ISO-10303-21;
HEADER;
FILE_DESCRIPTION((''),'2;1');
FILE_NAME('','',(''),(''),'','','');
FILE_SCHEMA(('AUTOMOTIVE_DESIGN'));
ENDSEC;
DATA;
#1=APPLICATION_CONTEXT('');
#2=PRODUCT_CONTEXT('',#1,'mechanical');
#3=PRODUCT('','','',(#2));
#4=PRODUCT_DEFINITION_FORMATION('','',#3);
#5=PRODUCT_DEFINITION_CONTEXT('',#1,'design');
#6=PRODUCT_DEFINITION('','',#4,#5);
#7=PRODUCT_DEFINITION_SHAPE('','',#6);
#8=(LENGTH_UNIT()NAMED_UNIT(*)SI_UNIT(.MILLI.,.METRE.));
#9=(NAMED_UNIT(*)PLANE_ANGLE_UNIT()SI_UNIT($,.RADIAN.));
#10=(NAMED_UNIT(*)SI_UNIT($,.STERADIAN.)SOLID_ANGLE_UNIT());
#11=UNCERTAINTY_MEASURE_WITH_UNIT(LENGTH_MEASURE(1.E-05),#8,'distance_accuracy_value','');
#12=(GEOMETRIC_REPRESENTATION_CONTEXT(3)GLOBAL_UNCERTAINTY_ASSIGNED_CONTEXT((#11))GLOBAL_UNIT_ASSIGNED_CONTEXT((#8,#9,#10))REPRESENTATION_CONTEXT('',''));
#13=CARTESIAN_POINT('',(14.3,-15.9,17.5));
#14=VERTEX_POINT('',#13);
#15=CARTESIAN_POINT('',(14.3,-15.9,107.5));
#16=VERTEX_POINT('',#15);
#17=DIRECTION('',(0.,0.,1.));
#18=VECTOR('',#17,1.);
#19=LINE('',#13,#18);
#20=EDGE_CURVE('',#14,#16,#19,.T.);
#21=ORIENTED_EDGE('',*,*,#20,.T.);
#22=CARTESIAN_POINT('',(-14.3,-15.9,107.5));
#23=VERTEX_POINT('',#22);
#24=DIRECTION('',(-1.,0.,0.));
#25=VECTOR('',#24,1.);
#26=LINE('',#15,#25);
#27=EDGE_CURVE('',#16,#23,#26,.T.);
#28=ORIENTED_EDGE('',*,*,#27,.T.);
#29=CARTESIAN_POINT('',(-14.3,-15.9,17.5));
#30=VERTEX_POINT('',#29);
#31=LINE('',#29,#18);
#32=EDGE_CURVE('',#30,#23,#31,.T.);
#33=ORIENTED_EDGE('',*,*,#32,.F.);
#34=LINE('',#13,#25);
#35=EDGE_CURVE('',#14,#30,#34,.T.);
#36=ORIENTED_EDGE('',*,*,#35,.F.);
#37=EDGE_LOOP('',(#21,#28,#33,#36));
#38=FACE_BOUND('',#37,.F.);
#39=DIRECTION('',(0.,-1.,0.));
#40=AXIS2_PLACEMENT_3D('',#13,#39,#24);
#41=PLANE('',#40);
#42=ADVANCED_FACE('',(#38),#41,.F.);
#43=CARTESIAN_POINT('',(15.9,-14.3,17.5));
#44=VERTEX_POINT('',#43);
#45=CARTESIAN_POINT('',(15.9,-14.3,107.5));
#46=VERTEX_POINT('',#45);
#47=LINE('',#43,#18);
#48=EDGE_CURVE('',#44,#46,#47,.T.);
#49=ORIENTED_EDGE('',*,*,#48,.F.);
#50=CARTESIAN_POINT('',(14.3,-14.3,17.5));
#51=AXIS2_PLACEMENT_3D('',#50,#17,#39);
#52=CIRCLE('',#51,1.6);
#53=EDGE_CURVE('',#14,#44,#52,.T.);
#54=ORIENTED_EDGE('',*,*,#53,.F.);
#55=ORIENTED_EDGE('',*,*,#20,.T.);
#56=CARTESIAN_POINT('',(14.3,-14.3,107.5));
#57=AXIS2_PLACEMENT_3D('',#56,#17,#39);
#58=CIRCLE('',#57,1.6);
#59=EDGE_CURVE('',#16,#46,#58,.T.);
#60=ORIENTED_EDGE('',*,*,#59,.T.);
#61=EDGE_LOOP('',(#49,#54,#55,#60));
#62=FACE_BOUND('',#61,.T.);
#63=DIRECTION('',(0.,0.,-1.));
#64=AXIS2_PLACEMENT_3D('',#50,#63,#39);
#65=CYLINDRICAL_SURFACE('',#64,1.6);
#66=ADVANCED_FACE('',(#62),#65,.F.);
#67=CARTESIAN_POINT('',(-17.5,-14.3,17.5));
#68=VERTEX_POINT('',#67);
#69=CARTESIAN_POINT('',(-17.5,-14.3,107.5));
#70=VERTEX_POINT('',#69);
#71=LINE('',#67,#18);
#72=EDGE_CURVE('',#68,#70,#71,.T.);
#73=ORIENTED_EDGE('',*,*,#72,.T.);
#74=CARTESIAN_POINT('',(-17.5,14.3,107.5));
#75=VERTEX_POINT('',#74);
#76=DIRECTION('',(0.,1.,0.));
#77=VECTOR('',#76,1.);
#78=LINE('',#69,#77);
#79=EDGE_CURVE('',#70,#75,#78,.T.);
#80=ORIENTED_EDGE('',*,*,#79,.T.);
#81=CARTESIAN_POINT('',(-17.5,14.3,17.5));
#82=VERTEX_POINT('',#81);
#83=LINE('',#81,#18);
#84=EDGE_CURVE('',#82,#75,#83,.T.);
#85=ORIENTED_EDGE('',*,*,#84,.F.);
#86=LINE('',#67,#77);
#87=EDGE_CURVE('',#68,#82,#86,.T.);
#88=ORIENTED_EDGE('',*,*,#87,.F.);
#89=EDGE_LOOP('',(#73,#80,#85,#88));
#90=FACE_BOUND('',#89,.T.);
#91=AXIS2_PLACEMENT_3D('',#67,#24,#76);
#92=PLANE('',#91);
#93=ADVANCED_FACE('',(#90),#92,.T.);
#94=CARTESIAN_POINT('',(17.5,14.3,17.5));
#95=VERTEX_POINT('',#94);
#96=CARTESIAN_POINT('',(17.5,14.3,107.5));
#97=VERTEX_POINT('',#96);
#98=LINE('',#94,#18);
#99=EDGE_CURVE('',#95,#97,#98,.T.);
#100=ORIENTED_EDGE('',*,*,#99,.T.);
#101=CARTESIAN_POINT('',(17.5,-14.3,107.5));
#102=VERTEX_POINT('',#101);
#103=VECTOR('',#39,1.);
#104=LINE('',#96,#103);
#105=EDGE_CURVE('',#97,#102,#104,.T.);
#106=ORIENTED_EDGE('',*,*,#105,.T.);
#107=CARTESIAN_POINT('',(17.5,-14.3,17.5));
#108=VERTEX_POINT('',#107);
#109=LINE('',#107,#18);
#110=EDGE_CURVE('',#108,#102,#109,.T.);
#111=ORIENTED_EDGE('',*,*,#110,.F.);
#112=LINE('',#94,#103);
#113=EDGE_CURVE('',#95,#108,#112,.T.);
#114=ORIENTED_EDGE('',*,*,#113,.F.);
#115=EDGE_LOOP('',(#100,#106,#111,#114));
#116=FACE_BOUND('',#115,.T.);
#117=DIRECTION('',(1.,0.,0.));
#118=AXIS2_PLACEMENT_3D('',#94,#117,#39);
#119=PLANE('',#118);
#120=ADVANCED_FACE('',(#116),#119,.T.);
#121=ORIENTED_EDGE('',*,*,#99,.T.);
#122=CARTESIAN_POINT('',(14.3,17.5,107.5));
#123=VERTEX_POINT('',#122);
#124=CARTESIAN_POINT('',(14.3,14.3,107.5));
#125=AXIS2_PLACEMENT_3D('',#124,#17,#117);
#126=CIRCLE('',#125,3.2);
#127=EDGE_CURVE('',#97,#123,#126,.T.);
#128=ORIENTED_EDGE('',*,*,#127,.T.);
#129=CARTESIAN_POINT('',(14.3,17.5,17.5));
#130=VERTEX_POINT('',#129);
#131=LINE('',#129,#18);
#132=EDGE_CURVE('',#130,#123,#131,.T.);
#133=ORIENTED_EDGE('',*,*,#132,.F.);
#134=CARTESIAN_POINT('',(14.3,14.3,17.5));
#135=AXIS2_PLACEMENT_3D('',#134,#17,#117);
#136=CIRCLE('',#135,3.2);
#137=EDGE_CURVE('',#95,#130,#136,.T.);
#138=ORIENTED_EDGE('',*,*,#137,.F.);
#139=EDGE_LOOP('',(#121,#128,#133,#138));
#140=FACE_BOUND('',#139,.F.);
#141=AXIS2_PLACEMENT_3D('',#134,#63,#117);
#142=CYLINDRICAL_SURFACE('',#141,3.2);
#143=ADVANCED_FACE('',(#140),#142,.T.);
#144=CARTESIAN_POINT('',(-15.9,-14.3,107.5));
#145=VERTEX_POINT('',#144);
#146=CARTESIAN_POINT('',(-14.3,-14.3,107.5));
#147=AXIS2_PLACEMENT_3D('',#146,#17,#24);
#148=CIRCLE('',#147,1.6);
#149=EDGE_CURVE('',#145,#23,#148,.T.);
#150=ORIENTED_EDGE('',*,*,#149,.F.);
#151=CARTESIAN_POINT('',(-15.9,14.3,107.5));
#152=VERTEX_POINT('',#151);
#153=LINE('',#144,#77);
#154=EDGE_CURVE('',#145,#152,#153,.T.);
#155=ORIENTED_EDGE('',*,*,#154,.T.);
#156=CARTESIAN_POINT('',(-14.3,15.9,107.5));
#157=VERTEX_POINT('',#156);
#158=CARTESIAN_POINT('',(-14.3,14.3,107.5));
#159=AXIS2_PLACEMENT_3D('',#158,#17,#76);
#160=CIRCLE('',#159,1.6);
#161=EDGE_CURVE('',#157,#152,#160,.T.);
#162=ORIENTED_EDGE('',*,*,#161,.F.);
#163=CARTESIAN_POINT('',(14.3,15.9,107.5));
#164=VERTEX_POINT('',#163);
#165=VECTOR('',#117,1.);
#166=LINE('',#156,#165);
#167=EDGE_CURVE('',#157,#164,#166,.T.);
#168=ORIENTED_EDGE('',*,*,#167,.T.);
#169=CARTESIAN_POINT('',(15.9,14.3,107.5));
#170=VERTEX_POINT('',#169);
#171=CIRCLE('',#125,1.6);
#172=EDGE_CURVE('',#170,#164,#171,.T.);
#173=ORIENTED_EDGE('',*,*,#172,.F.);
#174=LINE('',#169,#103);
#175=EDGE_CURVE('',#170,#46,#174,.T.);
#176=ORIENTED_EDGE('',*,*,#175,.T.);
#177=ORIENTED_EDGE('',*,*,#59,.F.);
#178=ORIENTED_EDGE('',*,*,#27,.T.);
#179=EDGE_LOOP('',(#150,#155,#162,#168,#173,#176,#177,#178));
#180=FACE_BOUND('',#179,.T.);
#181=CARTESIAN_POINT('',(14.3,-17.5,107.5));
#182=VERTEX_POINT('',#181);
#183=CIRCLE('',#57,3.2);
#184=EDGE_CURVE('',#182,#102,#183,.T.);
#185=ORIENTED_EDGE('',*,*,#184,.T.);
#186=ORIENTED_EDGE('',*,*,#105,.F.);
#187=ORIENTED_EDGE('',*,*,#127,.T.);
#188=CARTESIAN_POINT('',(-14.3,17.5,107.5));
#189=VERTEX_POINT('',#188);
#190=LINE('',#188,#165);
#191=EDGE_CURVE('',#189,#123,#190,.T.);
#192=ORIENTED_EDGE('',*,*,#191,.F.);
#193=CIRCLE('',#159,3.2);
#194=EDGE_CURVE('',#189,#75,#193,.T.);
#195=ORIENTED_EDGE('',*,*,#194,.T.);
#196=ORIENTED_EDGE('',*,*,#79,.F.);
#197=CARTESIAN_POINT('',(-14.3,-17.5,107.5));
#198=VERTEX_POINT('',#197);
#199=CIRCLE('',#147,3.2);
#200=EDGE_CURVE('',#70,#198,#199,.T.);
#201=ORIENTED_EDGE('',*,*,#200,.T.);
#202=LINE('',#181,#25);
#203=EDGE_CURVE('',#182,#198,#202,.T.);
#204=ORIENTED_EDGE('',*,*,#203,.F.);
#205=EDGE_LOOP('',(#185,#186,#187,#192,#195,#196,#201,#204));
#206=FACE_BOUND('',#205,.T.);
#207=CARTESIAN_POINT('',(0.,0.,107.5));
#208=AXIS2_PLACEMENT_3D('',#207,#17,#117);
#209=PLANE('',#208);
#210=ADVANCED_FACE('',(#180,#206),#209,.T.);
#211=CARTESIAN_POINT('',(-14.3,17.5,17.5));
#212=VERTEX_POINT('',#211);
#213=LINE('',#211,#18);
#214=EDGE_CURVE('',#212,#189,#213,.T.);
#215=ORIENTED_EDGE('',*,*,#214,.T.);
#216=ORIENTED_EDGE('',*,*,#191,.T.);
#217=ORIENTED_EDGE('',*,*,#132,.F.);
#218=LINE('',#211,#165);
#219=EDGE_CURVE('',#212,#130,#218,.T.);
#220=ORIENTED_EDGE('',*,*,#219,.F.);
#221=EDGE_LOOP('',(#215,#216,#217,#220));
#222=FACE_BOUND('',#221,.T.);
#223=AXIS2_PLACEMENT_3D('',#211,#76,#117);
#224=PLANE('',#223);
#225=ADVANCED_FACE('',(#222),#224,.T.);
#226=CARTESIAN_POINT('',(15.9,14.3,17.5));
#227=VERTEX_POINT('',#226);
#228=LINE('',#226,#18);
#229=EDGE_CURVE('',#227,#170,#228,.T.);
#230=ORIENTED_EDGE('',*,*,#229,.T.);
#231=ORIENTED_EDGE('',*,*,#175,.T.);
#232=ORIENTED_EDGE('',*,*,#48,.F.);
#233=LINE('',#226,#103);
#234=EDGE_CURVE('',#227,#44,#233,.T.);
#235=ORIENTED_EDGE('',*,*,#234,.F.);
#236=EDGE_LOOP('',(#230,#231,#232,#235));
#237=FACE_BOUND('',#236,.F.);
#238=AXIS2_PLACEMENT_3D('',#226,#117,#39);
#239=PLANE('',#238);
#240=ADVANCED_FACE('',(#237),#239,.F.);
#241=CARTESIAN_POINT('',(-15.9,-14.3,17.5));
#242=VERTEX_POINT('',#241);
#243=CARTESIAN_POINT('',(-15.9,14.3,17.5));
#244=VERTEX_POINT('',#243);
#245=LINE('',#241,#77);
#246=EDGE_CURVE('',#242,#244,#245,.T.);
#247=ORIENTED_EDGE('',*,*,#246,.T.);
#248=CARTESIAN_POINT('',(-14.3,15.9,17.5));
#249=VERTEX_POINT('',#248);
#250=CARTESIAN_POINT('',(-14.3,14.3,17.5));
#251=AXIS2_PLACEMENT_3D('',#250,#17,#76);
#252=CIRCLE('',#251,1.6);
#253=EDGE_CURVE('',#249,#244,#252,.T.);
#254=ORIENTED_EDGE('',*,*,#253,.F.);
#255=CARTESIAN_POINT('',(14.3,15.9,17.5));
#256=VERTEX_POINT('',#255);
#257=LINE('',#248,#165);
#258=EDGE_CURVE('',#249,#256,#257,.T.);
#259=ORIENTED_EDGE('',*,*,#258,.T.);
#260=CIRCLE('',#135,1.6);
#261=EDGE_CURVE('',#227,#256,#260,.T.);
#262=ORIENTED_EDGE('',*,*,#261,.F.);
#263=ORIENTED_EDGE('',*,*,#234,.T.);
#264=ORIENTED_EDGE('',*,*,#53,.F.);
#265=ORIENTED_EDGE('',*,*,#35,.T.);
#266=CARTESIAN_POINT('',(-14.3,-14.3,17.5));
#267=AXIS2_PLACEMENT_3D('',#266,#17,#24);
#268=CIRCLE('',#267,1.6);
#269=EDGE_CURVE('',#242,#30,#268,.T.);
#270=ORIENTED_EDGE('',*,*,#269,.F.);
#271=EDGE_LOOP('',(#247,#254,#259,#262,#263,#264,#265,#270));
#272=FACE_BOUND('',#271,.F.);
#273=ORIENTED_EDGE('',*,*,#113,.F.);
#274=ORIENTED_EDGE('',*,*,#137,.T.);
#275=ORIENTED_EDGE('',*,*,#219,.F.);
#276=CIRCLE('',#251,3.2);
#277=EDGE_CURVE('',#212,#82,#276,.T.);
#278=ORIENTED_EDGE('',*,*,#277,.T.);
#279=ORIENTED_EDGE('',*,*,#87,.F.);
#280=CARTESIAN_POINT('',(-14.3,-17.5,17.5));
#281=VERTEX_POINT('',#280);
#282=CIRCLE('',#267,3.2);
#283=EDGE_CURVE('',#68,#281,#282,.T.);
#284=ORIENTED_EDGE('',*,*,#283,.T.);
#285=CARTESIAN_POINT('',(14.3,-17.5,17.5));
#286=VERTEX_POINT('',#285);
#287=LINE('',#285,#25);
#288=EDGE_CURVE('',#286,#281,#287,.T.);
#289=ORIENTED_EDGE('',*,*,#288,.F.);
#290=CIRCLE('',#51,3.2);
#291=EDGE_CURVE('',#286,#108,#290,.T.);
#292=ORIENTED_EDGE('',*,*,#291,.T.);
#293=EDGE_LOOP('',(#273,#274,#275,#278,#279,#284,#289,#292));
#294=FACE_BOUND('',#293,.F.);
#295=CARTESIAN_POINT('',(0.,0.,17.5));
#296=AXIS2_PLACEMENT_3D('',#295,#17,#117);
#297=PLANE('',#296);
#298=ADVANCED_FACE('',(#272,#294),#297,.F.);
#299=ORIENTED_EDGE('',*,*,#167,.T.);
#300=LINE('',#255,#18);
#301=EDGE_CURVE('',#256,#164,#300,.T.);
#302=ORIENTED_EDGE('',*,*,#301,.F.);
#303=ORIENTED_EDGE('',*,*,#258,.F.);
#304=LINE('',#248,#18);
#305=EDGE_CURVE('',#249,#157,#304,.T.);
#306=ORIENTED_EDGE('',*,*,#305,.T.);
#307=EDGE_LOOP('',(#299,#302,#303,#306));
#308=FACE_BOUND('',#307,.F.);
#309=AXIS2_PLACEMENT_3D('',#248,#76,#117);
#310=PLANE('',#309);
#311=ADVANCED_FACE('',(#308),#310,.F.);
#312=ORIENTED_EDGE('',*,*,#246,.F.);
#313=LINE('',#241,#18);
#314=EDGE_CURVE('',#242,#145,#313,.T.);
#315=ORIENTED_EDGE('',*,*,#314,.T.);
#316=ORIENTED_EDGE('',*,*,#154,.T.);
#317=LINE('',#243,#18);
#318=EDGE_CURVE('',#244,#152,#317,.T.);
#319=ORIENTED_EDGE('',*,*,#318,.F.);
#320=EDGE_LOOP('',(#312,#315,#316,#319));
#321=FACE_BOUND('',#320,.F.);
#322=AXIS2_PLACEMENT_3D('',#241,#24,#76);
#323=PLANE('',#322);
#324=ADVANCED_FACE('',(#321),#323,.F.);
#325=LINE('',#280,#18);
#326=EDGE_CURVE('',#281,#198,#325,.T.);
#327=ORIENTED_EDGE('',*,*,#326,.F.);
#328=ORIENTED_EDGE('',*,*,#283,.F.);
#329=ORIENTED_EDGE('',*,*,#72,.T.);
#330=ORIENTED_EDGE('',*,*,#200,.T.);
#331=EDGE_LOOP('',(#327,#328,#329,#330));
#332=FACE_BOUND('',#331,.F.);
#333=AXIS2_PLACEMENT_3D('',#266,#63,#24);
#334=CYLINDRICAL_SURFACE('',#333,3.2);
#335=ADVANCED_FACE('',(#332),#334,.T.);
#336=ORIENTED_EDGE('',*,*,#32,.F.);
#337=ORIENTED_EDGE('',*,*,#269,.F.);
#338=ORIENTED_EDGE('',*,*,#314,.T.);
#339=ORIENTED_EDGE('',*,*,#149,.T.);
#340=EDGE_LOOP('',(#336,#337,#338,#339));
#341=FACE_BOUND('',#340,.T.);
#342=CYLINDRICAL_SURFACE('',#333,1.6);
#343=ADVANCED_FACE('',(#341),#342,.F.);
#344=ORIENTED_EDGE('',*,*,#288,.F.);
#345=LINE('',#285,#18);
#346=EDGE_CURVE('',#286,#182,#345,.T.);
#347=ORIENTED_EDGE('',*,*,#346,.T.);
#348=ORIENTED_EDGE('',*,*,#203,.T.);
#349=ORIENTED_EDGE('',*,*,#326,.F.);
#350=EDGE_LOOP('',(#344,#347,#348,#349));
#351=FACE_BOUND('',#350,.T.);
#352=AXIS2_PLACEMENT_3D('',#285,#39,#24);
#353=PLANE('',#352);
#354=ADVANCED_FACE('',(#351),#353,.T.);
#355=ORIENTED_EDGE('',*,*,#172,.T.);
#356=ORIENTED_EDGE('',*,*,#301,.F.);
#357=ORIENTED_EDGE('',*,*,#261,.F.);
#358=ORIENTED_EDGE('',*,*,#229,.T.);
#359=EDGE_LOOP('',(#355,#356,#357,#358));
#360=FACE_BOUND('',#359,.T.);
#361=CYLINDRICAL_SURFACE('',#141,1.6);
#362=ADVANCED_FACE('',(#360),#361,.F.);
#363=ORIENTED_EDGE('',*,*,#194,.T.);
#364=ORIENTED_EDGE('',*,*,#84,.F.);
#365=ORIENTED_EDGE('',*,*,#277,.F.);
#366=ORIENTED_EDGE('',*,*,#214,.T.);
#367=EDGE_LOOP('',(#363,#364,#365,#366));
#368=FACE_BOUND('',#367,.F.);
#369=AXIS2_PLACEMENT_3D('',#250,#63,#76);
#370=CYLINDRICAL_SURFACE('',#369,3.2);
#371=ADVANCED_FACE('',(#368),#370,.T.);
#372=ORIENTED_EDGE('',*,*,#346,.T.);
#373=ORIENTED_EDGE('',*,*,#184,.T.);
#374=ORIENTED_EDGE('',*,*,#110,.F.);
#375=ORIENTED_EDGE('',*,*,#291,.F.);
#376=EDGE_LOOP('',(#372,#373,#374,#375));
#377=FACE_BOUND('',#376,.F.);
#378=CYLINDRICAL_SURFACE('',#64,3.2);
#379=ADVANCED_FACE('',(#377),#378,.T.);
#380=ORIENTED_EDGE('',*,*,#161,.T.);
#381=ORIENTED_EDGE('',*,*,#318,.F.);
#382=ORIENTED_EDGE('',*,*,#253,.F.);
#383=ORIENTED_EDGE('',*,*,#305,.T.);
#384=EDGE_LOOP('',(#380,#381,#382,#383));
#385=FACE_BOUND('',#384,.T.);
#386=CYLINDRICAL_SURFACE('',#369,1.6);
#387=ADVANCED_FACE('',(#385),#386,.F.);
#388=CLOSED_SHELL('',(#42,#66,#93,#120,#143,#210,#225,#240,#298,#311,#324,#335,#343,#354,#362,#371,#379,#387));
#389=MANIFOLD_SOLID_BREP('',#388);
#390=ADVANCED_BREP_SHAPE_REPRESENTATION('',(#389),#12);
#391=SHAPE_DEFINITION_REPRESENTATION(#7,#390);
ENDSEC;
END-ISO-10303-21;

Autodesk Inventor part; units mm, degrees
ref_plane "Start plane" through (0, 0, 17.5) normal (0, 0, 1) x (1, 0, 0)
ref_plane "End plane" through (0, 0, 107.5) normal (0, 0, 1) x (1, 0, 0)
sketch "Sketch" plane through (0, 0, 0) normal (0, 0, 1) x (1, 0, 0)
  line L0 (-17.5, -14.3) -> (-17.5, 14.3)
  line L1 (-14.3, 17.5) -> (14.3, 17.5)
  line L2 (17.5, 14.3) -> (17.5, -14.3)
  line L3 (14.3, -17.5) -> (-14.3, -17.5)
  arc A0 (-17.5, -14.3) -> (-14.3, -17.5) centre (-14.3, -14.3) ccw
  arc A1 (-14.3, 17.5) -> (-17.5, 14.3) centre (-14.3, 14.3) ccw
  arc A2 (17.5, 14.3) -> (14.3, 17.5) centre (14.3, 14.3) ccw
  arc A3 (14.3, -17.5) -> (17.5, -14.3) centre (14.3, -14.3) ccw
  arc A4 (-14.3, 15.9) -> (-15.9, 14.3) centre (-14.3, 14.3) ccw
  line L4 (-14.3, 15.9) -> (14.3, 15.9)
  arc A5 (15.9, 14.3) -> (14.3, 15.9) centre (14.3, 14.3) ccw
  line L5 (15.9, 14.3) -> (15.9, -14.3)
  arc A6 (14.3, -15.9) -> (15.9, -14.3) centre (14.3, -14.3) ccw
  line L6 (14.3, -15.9) -> (-14.3, -15.9)
  arc A7 (-15.9, -14.3) -> (-14.3, -15.9) centre (-14.3, -14.3) ccw
  line L7 (-15.9, -14.3) -> (-15.9, 14.3)
  line L8 (0, 25.4278) -> (0, -25.4278) construction
  line L9 (-25.4278, 0) -> (25.4278, 0) construction
  dimension "d7" = 3.2
  dimension "d10" = 35
  dimension "d11" = 35
  dimension "d12" = 1.6
  dimension "d15" = 17.5
  dimension "d16" = 17.5
extrude "Body" add sketch "Sketch" along normal up to surface (90 mm away) from surface at 17.5
sketch "Sketch3" plane through (0, 0, 0) normal (0, 0, 1) x (1, 0, 0)
  line L0 (0, 0) -> (10, 0)
ref_plane "Work Plane3" through (0, 0, 0) normal (0, -1, 0) x (1, 0, 0)
sketch "Sketch4" plane through (0, 0, 0) normal (0, -1, 0) x (1, 0, 0)
  line L0 (-2, 17.5) -> (12, 17.5)
  line L1 (-2, 107.5) -> (12, 107.5)
  dimension "d18" = 90
ref_plane "Work Plane4" through (0, 817.5, 107.5) normal (0, 0, 1) x (1, 0, 0)
split "Split1" plane through (0, 817.5, 107.5) removes the side toward (0, 0, 1)
ref_plane "Work Plane5" through (0, 812.5, 17.5) normal (0, 0, -1) x (-1, 0, 0)
split "Split2" plane through (0, 812.5, 17.5) removes the side toward (0, 0, -1)
equation "\"d7\" = G_IR"
equation "\"d10\" = G_H"
equation "\"d11\" = G_W"
equation "\"d12\" = G_T"
equation "\"d15\" = 0.5 * d10"
equation "\"d16\" = 0.5 * d11"
equation "\"d3\" = G_L"
equation "\"G_W\" = 35"
equation "\"G_H\" = 35"
equation "\"G_T\" = 1.6"
equation "\"G_IR\" = 3.2"
equation "\"G_L\" = d18"
equation "\"G_OFFSET_START\" = -17.5"
equation "\"G_OFFSET_END\" = -17.5"
equation "\"d13\" = -G_OFFSET_START"
equation "\"d14\" = G_OFFSET_END + B_L"
equation "\"B_L\" = 125"
properties part number "AS 1163 - C350L0 35x35x1.6 SHS - 90" material "Steel, Mild"
